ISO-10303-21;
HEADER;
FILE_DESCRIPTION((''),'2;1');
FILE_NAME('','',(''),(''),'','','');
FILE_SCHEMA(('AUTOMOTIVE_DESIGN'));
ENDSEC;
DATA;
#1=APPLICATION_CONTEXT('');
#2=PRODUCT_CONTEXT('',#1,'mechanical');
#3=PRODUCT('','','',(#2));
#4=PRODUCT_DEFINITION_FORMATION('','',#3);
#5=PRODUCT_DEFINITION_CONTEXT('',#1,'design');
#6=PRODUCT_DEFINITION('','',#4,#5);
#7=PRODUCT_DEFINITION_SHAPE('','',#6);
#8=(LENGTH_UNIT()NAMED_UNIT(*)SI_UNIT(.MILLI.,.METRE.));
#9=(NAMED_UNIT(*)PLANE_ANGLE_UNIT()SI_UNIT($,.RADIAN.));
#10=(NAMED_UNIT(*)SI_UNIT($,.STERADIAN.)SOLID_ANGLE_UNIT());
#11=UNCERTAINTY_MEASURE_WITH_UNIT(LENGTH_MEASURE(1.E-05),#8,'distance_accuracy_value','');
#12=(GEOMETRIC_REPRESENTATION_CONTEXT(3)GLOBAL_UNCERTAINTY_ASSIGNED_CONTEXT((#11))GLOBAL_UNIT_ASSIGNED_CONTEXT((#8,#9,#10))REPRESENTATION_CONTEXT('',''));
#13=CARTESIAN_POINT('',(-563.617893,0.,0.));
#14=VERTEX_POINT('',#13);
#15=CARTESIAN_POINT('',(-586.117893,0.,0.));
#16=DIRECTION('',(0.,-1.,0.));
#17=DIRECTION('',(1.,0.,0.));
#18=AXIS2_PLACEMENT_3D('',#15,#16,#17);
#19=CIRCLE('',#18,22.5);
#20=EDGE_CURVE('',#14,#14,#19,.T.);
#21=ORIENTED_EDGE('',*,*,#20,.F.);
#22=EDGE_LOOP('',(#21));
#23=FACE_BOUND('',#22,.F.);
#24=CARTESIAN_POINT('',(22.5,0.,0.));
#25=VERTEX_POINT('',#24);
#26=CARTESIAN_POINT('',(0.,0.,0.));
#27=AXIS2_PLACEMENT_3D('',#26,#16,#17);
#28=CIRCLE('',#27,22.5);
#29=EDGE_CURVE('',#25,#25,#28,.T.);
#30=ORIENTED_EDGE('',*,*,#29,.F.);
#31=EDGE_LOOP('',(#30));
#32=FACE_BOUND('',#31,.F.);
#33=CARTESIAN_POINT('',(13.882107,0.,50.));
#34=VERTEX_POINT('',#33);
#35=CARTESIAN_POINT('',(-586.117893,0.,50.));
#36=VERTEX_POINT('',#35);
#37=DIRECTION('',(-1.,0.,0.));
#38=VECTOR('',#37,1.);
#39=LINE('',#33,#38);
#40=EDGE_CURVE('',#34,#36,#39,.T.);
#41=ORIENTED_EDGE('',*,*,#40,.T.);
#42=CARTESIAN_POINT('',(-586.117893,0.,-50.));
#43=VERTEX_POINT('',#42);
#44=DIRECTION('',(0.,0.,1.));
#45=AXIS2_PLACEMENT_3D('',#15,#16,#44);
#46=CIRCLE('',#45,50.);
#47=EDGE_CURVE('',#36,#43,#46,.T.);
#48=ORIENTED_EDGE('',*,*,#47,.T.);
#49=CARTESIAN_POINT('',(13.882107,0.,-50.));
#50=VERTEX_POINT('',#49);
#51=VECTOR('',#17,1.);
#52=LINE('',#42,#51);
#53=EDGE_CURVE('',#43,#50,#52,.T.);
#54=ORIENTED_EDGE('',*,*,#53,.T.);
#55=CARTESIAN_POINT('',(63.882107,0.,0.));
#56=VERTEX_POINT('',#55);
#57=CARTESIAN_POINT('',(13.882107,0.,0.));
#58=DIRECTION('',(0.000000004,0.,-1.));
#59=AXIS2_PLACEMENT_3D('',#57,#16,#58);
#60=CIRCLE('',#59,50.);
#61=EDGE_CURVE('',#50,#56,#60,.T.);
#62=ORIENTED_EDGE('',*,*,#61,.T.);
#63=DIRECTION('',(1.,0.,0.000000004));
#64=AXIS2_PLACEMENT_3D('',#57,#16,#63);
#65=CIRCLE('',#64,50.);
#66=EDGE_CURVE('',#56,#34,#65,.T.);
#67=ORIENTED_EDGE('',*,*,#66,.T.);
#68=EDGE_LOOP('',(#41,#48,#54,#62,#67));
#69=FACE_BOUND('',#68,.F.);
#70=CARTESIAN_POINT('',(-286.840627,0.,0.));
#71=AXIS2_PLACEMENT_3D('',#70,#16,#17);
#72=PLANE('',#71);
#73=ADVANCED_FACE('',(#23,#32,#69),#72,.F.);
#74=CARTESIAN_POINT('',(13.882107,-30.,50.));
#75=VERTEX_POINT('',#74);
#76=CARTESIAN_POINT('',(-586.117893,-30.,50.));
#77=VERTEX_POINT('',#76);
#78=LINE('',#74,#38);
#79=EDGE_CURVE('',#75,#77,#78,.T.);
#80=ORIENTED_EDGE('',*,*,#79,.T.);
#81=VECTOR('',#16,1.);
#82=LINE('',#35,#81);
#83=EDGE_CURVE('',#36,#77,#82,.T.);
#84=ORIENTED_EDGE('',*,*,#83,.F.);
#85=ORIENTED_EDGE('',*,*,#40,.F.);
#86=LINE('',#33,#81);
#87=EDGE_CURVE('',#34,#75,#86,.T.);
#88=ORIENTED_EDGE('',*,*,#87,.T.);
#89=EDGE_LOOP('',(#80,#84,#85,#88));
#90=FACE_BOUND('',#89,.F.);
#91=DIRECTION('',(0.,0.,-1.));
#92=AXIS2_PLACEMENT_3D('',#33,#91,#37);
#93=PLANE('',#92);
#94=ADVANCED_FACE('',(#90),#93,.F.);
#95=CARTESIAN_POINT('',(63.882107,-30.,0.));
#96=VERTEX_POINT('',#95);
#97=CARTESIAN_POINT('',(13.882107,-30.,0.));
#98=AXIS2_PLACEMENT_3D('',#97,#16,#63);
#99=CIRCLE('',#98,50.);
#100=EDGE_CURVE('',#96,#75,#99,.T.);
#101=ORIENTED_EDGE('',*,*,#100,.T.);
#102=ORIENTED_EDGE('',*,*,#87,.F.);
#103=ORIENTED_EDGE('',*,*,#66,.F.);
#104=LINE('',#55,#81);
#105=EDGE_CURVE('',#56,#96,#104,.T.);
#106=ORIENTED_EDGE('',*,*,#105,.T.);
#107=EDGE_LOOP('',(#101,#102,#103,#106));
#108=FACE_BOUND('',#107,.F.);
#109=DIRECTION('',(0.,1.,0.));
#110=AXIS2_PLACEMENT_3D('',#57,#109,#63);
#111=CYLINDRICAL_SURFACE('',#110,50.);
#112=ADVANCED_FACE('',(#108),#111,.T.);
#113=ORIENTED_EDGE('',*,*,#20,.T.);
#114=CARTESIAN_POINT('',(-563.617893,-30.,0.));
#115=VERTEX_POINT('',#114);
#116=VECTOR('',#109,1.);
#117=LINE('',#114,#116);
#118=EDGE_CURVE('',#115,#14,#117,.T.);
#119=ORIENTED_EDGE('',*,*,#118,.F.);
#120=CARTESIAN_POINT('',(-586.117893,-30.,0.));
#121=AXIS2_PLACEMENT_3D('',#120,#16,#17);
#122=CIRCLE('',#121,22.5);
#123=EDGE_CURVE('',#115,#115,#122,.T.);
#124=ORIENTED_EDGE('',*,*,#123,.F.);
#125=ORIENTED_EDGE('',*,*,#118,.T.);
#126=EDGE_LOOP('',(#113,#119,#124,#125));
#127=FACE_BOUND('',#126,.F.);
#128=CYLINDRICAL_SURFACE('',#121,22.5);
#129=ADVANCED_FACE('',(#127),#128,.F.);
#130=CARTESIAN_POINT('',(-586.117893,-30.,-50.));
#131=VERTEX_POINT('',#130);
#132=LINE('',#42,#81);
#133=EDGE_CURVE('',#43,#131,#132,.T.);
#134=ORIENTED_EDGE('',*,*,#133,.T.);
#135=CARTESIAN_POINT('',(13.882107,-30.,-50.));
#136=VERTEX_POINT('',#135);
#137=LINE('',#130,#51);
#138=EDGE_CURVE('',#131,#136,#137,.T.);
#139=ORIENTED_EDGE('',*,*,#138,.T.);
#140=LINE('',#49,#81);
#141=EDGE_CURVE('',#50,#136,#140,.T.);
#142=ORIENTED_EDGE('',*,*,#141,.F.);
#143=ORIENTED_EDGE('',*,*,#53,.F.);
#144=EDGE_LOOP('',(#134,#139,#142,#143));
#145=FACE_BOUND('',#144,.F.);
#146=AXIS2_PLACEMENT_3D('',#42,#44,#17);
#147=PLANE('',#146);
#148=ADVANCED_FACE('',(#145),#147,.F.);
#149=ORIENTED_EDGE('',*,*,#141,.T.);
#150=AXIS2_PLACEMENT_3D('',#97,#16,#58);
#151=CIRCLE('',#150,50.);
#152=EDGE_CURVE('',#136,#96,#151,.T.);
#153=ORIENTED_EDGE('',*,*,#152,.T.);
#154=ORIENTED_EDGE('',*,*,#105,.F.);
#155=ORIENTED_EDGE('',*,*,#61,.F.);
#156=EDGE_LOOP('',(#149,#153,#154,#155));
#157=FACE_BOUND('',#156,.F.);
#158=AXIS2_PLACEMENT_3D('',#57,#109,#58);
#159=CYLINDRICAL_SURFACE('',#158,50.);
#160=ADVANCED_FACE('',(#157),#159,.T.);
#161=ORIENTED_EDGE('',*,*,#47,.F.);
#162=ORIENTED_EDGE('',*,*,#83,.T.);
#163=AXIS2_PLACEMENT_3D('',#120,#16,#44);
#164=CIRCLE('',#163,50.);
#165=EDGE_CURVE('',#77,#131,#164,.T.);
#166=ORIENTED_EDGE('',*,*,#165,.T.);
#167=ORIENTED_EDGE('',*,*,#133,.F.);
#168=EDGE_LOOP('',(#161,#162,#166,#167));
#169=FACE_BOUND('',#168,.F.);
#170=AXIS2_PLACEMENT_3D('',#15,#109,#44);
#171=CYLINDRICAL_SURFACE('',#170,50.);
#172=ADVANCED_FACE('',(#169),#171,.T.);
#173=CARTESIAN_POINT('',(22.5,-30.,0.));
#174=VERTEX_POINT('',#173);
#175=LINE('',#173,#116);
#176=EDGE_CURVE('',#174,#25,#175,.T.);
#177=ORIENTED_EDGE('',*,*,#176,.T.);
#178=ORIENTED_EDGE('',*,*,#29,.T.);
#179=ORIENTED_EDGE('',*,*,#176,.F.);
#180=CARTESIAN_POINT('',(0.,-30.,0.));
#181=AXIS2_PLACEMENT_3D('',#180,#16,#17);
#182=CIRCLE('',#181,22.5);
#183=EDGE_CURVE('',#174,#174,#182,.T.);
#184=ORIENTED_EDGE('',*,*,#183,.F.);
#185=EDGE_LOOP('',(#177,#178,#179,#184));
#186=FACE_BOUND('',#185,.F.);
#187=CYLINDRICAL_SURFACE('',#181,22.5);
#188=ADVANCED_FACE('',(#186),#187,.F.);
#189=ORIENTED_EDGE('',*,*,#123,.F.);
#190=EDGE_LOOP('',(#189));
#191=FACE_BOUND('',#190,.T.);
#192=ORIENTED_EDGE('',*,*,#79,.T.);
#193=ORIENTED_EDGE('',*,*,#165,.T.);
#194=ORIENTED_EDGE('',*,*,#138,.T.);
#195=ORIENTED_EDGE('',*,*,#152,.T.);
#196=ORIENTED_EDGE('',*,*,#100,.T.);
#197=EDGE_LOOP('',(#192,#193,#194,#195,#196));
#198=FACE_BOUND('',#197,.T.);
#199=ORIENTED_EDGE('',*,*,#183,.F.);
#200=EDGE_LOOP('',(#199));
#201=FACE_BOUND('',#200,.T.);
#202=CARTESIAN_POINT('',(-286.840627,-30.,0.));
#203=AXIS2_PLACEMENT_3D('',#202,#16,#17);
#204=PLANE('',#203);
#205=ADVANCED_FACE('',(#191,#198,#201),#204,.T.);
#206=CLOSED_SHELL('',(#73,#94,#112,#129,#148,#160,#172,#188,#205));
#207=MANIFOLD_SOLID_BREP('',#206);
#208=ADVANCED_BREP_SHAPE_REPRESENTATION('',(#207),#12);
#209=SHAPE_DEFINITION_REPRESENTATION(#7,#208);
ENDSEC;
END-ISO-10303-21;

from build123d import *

# Parameters (mm, degrees)
F1_DEPTH = 30
F2_R     = 22.5
F3_DEPTH = 30


with BuildPart() as f1:
    # F0 (on Front) → F1 (new body)
    with BuildSketch(Plane.XZ):
        with BuildLine():
            ThreePointArc((-586.117893, 50), (-550.762554, 35.355339), (-536.117893, 0))
            ThreePointArc((-536.117893, 0), (-550.762554, -35.355339), (-586.117893, -50))
            Line((-586.117893, -50), (13.882107, -50))
            ThreePointArc((13.882107, -50), (-36.117893, 0), (13.882107, 50))
            Line((13.882107, 50), (-586.117893, 50))
        make_face()
        with BuildLine():
            ThreePointArc((63.882107, 0), (49.237446, 35.355339), (13.882107, 50))
            ThreePointArc((13.882107, 50), (-36.117893, 0), (13.882107, -50))
            ThreePointArc((13.882107, -50), (49.237446, -35.355339), (63.882107, 0))
        make_face()
        with BuildLine():
            ThreePointArc((-586.117893, -50), (-550.762554, -35.355339), (-536.117893, 0))
            ThreePointArc((-536.117893, 0), (-550.762554, 35.355339), (-586.117893, 50))
            ThreePointArc((-586.117893, 50), (-636.117893, 0), (-586.117893, -50))
        make_face()
    extrude(amount=F1_DEPTH)

    # F2 (on face) → F3 (cut, through all)
    with BuildSketch(Plane.XZ.offset(30)):
        with Locations((-586.117893, 0)):
            Circle(F2_R)
        Circle(F2_R)
    extrude(amount=-F3_DEPTH, mode=Mode.SUBTRACT)


solid = f1.part
